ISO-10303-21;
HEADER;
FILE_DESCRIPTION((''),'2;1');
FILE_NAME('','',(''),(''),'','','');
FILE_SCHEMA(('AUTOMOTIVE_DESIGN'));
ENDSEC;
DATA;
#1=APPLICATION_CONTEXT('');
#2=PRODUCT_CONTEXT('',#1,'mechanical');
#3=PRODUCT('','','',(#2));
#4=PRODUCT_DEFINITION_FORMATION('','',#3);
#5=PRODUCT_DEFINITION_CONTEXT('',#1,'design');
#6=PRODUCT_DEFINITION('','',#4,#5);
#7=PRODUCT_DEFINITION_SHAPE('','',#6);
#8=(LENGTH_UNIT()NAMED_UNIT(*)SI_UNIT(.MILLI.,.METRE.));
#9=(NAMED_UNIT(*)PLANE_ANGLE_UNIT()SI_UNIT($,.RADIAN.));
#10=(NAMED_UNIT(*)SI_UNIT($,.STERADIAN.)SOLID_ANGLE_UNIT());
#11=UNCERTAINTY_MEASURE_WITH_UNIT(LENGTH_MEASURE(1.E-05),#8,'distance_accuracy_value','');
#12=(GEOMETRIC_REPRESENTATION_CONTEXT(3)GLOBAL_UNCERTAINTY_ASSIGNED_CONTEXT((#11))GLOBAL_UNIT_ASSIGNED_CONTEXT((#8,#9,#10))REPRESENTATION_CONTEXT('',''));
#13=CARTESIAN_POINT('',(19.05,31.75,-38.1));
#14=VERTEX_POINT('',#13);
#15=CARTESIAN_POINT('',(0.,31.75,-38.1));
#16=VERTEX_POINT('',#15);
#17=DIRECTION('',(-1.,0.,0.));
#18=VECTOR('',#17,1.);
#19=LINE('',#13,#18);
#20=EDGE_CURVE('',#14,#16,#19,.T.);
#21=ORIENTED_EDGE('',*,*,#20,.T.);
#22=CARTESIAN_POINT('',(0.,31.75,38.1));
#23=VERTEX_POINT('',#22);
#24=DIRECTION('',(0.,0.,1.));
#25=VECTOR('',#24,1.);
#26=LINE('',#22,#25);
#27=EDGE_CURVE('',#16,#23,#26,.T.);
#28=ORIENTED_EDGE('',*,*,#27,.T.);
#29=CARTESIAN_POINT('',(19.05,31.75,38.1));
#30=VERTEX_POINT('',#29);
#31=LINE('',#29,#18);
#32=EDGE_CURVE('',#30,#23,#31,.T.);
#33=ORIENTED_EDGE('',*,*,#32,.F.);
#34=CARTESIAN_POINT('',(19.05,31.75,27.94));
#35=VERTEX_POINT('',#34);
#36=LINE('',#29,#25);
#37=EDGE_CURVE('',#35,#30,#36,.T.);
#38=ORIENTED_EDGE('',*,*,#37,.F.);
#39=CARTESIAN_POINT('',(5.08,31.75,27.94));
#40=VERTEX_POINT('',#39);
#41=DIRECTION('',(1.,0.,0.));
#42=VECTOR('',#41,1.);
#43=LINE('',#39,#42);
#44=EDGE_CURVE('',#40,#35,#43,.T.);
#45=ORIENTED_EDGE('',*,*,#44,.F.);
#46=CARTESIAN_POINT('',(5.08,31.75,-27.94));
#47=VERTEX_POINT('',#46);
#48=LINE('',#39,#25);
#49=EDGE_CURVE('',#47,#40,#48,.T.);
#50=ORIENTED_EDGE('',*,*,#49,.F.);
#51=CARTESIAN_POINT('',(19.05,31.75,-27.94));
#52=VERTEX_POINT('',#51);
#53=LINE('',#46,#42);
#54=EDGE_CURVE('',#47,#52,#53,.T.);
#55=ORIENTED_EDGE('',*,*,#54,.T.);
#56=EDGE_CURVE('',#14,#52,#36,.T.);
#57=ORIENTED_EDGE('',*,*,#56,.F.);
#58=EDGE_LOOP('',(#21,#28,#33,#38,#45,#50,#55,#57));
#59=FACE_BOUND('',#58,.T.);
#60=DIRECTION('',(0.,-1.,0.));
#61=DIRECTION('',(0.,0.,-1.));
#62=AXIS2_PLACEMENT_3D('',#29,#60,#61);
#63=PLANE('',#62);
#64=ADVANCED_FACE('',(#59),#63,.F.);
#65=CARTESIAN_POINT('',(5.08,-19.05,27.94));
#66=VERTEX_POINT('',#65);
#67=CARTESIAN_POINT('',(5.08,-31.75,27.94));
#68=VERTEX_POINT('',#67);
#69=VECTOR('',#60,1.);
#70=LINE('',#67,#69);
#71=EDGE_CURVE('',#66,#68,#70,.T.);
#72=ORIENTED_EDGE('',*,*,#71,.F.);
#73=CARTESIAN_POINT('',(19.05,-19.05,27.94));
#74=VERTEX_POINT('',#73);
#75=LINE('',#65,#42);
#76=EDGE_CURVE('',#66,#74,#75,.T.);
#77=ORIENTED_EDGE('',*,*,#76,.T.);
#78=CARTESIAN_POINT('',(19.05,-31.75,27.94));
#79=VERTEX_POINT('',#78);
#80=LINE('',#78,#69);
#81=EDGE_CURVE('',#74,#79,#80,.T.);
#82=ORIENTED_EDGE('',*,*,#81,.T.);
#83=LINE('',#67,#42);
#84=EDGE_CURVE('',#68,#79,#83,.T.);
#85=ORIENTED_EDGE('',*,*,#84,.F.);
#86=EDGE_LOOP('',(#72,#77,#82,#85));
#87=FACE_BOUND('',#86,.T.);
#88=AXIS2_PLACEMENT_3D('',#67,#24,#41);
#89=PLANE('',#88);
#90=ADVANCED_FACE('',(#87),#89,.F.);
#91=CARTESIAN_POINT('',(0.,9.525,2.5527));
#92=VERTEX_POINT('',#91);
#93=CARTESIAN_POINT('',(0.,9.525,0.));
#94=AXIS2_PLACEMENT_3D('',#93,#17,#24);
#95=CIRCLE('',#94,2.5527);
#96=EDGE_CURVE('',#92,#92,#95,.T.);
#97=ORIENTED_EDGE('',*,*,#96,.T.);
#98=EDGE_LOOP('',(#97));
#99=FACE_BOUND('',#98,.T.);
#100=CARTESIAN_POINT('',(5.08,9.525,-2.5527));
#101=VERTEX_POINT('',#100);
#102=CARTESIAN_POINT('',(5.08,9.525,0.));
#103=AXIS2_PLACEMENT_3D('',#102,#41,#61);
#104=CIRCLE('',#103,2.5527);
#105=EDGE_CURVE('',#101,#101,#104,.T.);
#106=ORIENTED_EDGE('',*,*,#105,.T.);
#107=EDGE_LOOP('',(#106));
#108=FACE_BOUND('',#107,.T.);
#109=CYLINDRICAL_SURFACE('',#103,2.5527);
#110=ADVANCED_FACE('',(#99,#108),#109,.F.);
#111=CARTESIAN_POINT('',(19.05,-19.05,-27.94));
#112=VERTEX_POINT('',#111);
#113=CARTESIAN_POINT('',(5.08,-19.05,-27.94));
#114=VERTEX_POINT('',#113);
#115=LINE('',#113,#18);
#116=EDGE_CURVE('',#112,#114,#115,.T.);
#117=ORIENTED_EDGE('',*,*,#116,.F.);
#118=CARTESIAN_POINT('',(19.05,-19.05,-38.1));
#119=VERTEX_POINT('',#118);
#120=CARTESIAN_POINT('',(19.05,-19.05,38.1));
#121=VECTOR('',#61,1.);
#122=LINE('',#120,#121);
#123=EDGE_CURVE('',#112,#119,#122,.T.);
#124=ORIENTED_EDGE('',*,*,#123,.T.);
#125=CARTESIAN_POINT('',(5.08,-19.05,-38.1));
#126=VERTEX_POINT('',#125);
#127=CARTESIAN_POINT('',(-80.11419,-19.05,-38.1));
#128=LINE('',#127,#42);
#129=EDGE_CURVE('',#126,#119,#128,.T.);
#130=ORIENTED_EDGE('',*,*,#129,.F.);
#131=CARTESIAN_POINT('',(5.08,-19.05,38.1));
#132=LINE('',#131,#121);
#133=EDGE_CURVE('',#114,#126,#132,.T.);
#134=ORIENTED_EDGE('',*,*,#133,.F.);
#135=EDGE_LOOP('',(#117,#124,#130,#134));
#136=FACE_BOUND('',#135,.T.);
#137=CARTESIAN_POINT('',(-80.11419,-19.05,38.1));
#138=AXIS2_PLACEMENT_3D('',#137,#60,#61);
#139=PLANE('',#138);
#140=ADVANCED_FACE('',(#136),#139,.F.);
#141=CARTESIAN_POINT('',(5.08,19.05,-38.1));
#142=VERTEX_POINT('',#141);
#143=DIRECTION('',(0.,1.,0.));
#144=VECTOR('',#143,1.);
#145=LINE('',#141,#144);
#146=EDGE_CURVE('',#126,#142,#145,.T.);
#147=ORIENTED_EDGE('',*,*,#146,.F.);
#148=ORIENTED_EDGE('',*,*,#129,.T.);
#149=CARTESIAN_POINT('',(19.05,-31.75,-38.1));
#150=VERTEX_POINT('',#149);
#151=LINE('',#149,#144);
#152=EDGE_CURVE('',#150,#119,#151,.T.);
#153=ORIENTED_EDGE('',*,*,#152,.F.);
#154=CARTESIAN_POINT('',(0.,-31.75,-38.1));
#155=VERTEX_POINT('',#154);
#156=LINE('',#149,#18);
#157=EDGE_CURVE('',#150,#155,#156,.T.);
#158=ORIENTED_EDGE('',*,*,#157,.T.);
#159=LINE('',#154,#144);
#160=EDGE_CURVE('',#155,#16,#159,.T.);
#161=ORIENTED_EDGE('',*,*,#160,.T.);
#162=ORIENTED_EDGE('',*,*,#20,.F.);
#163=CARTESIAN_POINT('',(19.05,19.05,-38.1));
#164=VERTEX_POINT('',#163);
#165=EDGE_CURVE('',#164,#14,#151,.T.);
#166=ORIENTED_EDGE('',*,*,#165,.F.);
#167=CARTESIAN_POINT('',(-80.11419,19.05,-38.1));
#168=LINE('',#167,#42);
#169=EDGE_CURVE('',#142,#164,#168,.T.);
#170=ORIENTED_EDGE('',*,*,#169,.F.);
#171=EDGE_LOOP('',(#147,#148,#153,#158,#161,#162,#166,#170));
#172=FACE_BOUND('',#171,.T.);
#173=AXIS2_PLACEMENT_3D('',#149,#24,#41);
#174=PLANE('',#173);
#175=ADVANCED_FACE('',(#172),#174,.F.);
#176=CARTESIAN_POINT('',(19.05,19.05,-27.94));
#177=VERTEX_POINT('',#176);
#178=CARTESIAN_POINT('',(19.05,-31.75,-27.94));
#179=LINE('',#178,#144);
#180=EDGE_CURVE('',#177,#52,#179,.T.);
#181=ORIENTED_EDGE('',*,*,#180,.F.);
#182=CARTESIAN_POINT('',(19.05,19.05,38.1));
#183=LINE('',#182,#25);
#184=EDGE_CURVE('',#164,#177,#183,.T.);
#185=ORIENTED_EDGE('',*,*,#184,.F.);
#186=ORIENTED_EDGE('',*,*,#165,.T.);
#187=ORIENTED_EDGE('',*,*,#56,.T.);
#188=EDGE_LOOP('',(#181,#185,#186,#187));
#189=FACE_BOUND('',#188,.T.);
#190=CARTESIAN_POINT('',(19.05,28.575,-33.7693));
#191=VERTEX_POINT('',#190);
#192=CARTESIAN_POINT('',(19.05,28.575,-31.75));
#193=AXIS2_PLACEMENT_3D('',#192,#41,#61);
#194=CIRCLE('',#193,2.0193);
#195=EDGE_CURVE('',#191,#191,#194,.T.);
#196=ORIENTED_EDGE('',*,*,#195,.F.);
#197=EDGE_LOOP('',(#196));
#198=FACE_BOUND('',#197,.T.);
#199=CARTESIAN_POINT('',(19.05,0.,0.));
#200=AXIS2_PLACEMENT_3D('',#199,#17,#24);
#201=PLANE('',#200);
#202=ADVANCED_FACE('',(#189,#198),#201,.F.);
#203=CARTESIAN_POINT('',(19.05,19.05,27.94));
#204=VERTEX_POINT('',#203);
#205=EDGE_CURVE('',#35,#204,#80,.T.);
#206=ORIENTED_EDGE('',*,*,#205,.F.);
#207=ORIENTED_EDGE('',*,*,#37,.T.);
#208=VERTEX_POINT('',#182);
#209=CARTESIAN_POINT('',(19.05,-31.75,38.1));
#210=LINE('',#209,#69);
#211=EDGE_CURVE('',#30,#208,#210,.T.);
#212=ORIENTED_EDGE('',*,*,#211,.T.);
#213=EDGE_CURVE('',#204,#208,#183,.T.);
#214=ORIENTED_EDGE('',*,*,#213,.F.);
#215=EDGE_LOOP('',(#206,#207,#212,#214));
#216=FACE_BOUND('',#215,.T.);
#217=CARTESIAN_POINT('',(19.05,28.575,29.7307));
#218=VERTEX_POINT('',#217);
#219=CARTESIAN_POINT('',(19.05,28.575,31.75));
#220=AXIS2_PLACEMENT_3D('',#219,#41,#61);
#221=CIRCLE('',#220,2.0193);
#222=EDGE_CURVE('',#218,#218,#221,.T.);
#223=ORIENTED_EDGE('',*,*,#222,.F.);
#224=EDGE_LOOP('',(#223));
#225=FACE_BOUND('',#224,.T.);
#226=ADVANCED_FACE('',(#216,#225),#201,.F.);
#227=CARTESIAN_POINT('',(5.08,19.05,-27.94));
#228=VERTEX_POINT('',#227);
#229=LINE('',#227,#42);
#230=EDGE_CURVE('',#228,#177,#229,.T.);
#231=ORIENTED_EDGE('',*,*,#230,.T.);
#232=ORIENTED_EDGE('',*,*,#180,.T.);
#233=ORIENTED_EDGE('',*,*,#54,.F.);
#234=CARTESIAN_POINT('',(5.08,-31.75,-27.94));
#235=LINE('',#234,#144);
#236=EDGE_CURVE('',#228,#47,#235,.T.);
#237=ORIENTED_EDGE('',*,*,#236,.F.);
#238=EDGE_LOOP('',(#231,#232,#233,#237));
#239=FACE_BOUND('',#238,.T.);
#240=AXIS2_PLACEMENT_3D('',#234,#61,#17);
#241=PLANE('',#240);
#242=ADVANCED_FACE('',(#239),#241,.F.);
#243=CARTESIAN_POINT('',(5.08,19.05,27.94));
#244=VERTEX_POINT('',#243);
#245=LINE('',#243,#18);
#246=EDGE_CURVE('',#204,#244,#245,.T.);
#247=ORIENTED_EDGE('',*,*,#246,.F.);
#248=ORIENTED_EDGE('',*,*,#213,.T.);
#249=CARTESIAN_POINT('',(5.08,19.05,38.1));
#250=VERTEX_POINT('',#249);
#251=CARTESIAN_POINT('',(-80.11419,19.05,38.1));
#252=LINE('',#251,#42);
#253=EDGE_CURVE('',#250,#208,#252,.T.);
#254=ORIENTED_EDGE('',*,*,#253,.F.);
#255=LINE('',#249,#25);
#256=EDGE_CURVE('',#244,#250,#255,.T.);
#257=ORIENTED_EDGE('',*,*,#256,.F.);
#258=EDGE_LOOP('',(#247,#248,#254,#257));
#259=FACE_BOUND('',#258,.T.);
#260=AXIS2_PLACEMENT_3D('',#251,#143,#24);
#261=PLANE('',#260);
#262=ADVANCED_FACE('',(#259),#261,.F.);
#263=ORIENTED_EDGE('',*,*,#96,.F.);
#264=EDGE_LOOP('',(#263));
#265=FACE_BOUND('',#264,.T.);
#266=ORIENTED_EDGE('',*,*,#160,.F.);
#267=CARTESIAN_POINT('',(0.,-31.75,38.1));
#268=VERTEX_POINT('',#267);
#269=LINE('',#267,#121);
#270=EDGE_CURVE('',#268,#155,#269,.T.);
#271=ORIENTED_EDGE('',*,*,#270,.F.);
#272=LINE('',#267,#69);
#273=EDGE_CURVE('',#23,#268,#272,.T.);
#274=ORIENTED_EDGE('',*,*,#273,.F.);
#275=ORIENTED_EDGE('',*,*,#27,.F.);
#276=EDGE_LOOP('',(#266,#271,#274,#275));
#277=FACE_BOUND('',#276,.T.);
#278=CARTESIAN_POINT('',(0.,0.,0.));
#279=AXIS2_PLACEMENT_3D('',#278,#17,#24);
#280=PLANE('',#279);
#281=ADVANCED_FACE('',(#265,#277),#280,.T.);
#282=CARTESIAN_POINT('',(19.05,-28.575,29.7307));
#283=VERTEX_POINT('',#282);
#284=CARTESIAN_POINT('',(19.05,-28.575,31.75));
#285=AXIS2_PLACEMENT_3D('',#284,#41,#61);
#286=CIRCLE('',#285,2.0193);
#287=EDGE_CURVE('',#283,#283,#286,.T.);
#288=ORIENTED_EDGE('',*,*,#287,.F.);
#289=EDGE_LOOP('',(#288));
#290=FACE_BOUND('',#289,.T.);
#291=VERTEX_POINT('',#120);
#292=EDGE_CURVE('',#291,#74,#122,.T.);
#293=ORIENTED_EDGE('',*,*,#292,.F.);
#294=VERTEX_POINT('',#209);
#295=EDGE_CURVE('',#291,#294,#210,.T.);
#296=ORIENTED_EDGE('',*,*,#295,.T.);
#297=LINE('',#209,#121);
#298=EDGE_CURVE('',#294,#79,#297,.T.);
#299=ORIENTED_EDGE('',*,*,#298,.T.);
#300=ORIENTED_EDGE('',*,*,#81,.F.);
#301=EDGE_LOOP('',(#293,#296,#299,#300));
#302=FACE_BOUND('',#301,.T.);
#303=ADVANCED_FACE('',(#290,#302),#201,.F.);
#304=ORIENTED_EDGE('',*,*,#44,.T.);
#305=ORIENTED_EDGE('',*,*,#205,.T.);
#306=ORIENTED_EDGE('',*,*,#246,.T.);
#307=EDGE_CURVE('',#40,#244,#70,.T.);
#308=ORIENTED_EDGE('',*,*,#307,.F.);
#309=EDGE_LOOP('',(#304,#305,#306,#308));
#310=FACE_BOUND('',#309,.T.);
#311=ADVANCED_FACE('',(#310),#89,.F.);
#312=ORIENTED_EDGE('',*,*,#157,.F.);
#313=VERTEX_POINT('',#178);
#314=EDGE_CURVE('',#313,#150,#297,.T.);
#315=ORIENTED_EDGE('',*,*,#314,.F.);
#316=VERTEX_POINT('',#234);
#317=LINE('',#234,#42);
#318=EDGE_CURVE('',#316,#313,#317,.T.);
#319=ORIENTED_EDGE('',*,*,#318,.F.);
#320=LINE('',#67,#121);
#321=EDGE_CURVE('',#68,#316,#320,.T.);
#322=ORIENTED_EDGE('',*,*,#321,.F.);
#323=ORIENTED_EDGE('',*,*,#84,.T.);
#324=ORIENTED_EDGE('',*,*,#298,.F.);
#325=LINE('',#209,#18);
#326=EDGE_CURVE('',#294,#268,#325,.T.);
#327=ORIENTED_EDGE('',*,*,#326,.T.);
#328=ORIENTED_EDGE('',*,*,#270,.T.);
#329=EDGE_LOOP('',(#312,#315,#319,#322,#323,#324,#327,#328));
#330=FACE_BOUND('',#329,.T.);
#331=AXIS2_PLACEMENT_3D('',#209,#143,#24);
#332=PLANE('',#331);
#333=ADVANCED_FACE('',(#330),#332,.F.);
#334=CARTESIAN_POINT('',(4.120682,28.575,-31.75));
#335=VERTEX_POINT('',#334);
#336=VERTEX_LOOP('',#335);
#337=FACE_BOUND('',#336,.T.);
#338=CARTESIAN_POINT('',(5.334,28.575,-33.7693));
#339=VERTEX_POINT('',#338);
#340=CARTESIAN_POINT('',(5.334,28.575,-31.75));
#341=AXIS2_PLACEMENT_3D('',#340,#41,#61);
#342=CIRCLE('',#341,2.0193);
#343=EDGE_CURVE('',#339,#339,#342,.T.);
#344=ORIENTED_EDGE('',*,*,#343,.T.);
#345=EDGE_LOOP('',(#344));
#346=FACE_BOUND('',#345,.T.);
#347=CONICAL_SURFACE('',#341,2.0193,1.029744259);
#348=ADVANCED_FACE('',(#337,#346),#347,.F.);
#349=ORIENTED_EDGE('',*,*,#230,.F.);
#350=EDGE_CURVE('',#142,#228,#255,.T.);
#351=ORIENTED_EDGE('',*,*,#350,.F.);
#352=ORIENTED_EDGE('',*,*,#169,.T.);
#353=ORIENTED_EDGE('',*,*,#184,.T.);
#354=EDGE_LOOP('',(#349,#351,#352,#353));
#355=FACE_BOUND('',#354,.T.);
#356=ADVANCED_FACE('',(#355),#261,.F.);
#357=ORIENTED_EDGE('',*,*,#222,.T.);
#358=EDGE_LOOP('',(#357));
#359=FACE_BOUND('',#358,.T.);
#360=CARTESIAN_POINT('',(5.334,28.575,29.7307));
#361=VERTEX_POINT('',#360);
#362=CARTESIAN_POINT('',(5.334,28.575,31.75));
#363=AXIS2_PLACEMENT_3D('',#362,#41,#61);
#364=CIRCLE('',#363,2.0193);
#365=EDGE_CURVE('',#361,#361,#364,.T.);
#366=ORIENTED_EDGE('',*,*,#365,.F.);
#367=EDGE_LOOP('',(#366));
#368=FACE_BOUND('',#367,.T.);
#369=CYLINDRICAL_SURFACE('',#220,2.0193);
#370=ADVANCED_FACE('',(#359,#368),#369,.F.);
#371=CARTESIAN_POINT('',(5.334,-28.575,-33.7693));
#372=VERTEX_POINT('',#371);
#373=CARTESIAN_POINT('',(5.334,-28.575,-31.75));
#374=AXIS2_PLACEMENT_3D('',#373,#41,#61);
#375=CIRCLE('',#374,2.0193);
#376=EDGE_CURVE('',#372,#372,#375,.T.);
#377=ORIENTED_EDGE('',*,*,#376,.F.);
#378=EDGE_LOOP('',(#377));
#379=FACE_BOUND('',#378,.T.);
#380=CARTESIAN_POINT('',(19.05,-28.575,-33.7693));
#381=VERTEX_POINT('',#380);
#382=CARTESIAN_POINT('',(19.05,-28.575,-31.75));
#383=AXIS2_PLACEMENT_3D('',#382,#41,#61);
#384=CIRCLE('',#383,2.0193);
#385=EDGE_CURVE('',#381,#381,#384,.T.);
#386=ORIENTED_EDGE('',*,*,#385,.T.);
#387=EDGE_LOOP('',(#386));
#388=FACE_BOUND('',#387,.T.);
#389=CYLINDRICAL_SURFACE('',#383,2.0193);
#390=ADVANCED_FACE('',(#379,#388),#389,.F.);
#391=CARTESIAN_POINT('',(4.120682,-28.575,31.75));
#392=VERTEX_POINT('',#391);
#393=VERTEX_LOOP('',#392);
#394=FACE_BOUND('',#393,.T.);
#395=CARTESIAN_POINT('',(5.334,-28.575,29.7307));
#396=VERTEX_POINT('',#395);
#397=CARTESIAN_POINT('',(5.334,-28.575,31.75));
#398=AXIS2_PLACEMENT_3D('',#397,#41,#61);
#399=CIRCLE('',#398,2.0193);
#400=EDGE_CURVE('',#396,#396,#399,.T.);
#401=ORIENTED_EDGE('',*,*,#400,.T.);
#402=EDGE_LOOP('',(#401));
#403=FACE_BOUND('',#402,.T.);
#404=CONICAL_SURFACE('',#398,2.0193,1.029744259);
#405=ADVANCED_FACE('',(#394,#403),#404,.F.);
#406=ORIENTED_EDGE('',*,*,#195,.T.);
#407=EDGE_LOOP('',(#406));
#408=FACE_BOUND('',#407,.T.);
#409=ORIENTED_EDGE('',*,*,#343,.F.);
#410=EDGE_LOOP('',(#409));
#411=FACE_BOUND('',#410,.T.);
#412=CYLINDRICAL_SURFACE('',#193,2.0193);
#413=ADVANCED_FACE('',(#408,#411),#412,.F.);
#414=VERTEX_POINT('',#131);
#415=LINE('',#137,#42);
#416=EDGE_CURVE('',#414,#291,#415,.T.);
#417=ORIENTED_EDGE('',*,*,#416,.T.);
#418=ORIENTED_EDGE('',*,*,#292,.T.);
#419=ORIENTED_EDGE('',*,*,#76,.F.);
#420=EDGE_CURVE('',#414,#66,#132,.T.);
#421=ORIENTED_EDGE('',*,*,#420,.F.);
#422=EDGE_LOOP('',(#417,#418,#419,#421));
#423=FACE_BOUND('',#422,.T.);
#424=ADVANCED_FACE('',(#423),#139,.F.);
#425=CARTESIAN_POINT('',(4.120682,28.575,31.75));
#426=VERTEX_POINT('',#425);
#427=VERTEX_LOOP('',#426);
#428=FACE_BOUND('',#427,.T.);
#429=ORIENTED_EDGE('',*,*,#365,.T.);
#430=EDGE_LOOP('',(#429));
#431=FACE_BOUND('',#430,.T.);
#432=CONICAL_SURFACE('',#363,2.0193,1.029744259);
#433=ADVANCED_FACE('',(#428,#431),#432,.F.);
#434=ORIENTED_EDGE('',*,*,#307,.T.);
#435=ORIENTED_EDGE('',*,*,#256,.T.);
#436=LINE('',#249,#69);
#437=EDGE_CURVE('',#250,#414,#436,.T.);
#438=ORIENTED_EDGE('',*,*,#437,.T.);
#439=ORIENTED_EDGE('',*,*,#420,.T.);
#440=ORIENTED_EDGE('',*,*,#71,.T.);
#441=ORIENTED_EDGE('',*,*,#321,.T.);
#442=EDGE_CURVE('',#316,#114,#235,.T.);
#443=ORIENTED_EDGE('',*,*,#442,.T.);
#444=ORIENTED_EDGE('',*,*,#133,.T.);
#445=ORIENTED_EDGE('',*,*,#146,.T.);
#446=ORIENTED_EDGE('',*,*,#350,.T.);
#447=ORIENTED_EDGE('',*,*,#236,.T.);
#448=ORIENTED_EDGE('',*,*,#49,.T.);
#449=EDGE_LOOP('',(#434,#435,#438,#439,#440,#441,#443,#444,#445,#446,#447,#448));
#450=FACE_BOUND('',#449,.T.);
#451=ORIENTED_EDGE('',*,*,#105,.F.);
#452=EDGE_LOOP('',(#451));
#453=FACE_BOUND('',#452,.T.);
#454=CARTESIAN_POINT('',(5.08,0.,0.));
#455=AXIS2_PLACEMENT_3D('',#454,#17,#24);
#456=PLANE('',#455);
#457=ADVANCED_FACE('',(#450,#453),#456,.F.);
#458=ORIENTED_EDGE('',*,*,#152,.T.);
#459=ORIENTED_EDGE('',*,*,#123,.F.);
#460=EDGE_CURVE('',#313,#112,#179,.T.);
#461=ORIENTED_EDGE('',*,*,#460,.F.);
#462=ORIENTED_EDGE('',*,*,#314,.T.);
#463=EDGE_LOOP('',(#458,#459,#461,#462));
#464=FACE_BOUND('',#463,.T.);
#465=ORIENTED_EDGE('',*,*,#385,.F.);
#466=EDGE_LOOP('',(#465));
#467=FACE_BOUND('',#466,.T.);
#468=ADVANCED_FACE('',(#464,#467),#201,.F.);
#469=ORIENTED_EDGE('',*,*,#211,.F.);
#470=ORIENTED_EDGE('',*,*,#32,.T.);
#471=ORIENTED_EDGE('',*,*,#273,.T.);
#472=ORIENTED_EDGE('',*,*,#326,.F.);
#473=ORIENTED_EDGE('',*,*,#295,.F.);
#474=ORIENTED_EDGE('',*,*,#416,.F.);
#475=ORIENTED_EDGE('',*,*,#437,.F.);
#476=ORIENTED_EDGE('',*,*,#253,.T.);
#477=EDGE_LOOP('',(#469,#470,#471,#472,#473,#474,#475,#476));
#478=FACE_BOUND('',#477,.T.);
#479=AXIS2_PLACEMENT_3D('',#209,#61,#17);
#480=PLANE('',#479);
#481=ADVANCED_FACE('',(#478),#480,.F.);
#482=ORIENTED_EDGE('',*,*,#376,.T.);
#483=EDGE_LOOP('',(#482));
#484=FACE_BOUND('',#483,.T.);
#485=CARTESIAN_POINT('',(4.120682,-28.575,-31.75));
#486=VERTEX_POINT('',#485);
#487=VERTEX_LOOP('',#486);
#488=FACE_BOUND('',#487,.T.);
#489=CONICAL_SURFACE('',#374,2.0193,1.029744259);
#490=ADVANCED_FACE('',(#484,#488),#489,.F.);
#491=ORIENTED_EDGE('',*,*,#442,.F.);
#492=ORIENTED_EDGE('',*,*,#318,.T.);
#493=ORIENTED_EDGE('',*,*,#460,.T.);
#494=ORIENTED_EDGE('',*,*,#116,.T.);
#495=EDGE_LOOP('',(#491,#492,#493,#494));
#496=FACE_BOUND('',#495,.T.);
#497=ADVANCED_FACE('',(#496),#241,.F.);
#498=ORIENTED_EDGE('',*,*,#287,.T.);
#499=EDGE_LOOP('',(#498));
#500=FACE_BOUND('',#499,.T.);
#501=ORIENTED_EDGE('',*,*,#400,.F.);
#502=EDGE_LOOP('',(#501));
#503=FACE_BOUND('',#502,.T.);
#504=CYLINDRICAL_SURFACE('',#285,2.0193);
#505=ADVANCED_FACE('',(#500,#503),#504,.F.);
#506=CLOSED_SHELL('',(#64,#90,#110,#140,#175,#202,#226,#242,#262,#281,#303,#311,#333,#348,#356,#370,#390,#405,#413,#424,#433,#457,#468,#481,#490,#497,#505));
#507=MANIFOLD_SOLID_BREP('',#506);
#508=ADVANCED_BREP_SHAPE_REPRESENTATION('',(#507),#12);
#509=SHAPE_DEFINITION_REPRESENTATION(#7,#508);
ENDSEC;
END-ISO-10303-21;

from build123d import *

# Parameters (mm, degrees)
SKETCH1_W                   = 76.2
SKETCH1_H                   = 63.5
BOSS_EXTRUDE1_DEPTH         = 19.05
SKETCH2_W                   = 55.88
SKETCH2_H                   = 63.5
CUT_EXTRUDE1_DEPTH          = 13.97
F_1_4_20_TAPPED_HOLE1_D     = 5.1054
F_1_4_20_TAPPED_HOLE1_DEPTH = 19.05
F_1_4_20_TAPPED_HOLE1_TIP   = 1.533816902
LPATTERN1_COUNT             = 2
LPATTERN1_PITCH             = 57.15
LPATTERN1_COUNT_DIR2        = 2
LPATTERN1_PITCH_DIR2        = 63.5
SKETCH7_W                   = 76.2
SKETCH7_H                   = 38.1
CUT_EXTRUDE2_DEPTH          = 13.97


with BuildPart() as part:
    # Sketch1 → Boss-Extrude1 (new body)
    with BuildSketch(Plane(origin=(0, 0, 0), x_dir=(0, 0, -1), z_dir=(1, 0, 0))):
        Rectangle(SKETCH1_W, SKETCH1_H)
    extrude(amount=BOSS_EXTRUDE1_DEPTH)

    # Sketch2 → Cut-Extrude1 (cut)
    with BuildSketch(Plane(origin=(19.05, 0, 0), x_dir=(0, 0, -1), z_dir=(1, 0, 0))):
        Rectangle(SKETCH2_W, SKETCH2_H)
    extrude(amount=-CUT_EXTRUDE1_DEPTH, mode=Mode.SUBTRACT)

    # Sketch5 → #10-32 Tapped Hole1 (revolve, cut)
    with BuildSketch(Plane(origin=(19.05, 28.575, 31.75), x_dir=(0, 0, -1), z_dir=(0, 1, 0))):
        Polygon((0, 0), (0, 14.929317848), (2.0193, 13.716), (2.0193, 0), align=None)
    f_10_32_tapped_hole1 = revolve(axis=Axis((25.4, 28.575, 31.75), (-1, 0, 0)), mode=Mode.SUBTRACT)

    # 1/4-20 Tapped Hole1
    with Locations(Plane(origin=(5.08, 0, 0), x_dir=(0, 0, -1), z_dir=(1, 0, 0))):
        with Locations((0, 9.525)):
            Hole(F_1_4_20_TAPPED_HOLE1_D / 2, depth=F_1_4_20_TAPPED_HOLE1_DEPTH)
            with Locations((0, 0, -(F_1_4_20_TAPPED_HOLE1_DEPTH + F_1_4_20_TAPPED_HOLE1_TIP / 2))):  # 118° drill point
                Cone(0, F_1_4_20_TAPPED_HOLE1_D / 2, F_1_4_20_TAPPED_HOLE1_TIP, mode=Mode.SUBTRACT)

    # LPattern1: 10-32 Tapped Hole1 2 × 2
    with Locations(*[(0, -i * LPATTERN1_PITCH, -j * LPATTERN1_PITCH_DIR2) for i in range(LPATTERN1_COUNT) for j in range(LPATTERN1_COUNT_DIR2) if (i, j) != (0, 0)]):
        add(f_10_32_tapped_hole1, mode=Mode.SUBTRACT)

    # Sketch7 → Cut-Extrude2 (cut)
    with BuildSketch(Plane(origin=(19.05, 0, 0), x_dir=(0, 0, -1), z_dir=(1, 0, 0))):
        Rectangle(SKETCH7_W, SKETCH7_H)
    extrude(amount=-CUT_EXTRUDE2_DEPTH, mode=Mode.SUBTRACT)


solid = part.part
